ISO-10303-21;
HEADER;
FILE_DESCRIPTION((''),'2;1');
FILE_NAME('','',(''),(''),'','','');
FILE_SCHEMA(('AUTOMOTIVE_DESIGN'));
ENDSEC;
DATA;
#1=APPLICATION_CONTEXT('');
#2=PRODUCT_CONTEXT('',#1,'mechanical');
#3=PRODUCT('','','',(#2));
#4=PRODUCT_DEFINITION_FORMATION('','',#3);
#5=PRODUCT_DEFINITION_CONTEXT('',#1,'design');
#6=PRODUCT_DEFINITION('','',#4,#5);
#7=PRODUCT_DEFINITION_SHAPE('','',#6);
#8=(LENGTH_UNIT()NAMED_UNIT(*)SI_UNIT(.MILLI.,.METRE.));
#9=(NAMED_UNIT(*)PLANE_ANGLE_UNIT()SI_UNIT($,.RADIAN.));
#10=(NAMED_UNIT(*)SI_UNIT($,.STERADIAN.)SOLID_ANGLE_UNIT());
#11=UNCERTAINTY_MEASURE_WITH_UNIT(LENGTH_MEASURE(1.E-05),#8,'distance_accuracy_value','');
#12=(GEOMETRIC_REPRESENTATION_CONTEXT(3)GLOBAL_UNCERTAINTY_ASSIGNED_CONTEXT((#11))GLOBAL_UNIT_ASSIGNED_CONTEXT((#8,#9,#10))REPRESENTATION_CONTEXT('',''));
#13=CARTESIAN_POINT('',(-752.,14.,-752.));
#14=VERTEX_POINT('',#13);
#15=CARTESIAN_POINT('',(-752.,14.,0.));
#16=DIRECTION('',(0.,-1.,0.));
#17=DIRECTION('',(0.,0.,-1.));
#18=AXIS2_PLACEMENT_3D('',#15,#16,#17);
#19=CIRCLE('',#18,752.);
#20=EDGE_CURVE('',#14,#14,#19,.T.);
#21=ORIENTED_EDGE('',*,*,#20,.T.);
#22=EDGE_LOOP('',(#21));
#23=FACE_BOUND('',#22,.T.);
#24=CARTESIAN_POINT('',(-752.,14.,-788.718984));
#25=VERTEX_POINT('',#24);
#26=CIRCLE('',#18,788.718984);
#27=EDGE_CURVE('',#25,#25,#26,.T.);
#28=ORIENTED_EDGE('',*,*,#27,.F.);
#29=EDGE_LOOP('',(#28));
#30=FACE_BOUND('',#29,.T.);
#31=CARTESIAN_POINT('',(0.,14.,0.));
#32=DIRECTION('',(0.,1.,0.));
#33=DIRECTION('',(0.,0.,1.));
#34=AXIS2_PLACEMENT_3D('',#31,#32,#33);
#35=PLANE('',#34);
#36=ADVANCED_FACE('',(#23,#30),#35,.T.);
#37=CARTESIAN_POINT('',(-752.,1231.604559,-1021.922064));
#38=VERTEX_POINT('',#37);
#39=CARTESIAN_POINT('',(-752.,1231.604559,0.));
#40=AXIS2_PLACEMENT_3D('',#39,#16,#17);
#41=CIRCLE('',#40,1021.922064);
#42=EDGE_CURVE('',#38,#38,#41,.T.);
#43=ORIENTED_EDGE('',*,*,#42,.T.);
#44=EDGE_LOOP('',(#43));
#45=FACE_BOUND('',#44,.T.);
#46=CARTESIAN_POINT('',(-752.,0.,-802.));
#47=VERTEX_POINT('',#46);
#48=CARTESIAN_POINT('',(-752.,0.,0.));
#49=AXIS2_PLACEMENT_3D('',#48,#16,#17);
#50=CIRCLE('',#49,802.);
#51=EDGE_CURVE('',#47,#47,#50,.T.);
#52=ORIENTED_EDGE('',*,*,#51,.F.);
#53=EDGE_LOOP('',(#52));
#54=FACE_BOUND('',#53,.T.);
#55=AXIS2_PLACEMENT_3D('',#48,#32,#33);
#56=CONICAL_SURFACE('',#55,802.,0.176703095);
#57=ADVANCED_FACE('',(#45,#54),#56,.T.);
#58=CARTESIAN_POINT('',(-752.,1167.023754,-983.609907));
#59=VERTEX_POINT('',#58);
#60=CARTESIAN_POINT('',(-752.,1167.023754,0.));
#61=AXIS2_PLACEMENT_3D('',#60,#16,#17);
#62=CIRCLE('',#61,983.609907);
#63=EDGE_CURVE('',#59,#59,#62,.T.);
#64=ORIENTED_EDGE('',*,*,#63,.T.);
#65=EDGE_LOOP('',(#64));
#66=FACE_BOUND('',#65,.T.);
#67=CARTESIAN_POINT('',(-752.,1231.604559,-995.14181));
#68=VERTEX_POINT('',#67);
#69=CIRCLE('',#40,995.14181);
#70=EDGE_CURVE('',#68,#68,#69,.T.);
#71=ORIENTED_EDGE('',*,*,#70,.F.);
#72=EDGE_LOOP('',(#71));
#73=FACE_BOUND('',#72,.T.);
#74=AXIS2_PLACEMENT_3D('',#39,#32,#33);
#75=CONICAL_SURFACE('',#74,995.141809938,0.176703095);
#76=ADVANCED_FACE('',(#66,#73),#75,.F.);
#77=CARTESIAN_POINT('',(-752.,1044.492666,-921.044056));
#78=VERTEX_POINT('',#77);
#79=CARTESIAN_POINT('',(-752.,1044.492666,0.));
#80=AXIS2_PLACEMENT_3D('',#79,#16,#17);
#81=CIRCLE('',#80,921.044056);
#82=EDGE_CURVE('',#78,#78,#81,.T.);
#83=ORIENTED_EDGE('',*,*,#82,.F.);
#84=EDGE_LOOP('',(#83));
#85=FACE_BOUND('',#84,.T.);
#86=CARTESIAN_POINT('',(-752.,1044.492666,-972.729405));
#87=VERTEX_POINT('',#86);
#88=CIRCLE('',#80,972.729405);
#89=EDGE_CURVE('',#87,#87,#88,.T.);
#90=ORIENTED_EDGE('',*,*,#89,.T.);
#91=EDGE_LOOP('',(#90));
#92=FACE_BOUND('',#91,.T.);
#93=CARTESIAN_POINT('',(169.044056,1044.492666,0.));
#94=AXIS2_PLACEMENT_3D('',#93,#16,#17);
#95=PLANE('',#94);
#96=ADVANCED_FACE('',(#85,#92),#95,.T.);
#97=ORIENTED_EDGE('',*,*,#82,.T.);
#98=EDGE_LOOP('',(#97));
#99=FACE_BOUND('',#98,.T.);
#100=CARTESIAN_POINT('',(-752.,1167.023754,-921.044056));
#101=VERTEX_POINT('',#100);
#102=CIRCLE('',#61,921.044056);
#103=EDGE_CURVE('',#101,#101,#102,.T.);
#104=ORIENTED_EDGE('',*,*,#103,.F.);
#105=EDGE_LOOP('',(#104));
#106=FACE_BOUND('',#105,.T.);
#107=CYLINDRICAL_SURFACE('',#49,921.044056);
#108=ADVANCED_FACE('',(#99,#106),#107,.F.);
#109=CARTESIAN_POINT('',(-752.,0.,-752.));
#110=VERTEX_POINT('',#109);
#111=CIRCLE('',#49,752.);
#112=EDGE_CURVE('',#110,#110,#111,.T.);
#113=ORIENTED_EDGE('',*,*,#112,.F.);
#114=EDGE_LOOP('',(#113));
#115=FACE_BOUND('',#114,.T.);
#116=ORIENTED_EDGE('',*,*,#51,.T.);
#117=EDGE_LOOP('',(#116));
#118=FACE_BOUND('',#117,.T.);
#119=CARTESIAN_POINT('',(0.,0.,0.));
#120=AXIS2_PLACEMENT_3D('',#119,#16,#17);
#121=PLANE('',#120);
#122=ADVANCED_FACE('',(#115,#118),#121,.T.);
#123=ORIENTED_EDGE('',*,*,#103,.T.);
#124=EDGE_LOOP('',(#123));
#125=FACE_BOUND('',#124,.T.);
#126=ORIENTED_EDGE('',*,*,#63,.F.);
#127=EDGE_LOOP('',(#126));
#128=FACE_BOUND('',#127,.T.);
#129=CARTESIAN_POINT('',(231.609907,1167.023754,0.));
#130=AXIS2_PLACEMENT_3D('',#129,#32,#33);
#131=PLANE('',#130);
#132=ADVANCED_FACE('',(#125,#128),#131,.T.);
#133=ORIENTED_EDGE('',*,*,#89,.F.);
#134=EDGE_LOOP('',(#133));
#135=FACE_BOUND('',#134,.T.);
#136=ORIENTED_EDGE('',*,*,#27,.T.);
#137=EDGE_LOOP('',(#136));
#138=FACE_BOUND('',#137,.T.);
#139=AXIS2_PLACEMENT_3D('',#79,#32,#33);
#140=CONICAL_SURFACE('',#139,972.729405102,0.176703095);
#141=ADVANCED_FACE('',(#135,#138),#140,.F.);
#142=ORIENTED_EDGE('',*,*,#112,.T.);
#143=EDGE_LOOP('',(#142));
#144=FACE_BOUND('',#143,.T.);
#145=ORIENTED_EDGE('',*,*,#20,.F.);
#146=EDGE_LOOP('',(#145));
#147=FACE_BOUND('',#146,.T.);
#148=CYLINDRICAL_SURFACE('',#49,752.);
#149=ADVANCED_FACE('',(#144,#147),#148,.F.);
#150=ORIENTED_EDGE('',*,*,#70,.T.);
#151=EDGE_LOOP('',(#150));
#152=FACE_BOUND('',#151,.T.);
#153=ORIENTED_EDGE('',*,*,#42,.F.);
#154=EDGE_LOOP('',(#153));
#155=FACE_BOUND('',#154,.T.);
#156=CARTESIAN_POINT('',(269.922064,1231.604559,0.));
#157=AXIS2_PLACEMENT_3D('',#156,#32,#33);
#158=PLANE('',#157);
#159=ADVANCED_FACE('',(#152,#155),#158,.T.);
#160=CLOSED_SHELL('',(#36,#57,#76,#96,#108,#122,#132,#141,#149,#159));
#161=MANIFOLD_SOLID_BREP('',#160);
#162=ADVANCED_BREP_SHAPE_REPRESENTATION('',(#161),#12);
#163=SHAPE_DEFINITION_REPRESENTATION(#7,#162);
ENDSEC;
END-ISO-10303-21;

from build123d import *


with BuildPart() as part:
    # 草图1 → 旋转1 (revolve)
    with BuildSketch(Plane.XY):
        Polygon((0, 0), (50, 0), (269.922063783, 1231.604559039), (243.141809938, 1231.604559039), (231.609907229, 1167.023753883), (169.044056357, 1167.023753883), (169.044056357, 1044.492665553), (220.729405102, 1044.492665553), (36.718983853, 14), (0, 14), align=None)
    revolve(axis=Axis((-752, 0, 0), (0, 1, 0)))


solid = part.part
